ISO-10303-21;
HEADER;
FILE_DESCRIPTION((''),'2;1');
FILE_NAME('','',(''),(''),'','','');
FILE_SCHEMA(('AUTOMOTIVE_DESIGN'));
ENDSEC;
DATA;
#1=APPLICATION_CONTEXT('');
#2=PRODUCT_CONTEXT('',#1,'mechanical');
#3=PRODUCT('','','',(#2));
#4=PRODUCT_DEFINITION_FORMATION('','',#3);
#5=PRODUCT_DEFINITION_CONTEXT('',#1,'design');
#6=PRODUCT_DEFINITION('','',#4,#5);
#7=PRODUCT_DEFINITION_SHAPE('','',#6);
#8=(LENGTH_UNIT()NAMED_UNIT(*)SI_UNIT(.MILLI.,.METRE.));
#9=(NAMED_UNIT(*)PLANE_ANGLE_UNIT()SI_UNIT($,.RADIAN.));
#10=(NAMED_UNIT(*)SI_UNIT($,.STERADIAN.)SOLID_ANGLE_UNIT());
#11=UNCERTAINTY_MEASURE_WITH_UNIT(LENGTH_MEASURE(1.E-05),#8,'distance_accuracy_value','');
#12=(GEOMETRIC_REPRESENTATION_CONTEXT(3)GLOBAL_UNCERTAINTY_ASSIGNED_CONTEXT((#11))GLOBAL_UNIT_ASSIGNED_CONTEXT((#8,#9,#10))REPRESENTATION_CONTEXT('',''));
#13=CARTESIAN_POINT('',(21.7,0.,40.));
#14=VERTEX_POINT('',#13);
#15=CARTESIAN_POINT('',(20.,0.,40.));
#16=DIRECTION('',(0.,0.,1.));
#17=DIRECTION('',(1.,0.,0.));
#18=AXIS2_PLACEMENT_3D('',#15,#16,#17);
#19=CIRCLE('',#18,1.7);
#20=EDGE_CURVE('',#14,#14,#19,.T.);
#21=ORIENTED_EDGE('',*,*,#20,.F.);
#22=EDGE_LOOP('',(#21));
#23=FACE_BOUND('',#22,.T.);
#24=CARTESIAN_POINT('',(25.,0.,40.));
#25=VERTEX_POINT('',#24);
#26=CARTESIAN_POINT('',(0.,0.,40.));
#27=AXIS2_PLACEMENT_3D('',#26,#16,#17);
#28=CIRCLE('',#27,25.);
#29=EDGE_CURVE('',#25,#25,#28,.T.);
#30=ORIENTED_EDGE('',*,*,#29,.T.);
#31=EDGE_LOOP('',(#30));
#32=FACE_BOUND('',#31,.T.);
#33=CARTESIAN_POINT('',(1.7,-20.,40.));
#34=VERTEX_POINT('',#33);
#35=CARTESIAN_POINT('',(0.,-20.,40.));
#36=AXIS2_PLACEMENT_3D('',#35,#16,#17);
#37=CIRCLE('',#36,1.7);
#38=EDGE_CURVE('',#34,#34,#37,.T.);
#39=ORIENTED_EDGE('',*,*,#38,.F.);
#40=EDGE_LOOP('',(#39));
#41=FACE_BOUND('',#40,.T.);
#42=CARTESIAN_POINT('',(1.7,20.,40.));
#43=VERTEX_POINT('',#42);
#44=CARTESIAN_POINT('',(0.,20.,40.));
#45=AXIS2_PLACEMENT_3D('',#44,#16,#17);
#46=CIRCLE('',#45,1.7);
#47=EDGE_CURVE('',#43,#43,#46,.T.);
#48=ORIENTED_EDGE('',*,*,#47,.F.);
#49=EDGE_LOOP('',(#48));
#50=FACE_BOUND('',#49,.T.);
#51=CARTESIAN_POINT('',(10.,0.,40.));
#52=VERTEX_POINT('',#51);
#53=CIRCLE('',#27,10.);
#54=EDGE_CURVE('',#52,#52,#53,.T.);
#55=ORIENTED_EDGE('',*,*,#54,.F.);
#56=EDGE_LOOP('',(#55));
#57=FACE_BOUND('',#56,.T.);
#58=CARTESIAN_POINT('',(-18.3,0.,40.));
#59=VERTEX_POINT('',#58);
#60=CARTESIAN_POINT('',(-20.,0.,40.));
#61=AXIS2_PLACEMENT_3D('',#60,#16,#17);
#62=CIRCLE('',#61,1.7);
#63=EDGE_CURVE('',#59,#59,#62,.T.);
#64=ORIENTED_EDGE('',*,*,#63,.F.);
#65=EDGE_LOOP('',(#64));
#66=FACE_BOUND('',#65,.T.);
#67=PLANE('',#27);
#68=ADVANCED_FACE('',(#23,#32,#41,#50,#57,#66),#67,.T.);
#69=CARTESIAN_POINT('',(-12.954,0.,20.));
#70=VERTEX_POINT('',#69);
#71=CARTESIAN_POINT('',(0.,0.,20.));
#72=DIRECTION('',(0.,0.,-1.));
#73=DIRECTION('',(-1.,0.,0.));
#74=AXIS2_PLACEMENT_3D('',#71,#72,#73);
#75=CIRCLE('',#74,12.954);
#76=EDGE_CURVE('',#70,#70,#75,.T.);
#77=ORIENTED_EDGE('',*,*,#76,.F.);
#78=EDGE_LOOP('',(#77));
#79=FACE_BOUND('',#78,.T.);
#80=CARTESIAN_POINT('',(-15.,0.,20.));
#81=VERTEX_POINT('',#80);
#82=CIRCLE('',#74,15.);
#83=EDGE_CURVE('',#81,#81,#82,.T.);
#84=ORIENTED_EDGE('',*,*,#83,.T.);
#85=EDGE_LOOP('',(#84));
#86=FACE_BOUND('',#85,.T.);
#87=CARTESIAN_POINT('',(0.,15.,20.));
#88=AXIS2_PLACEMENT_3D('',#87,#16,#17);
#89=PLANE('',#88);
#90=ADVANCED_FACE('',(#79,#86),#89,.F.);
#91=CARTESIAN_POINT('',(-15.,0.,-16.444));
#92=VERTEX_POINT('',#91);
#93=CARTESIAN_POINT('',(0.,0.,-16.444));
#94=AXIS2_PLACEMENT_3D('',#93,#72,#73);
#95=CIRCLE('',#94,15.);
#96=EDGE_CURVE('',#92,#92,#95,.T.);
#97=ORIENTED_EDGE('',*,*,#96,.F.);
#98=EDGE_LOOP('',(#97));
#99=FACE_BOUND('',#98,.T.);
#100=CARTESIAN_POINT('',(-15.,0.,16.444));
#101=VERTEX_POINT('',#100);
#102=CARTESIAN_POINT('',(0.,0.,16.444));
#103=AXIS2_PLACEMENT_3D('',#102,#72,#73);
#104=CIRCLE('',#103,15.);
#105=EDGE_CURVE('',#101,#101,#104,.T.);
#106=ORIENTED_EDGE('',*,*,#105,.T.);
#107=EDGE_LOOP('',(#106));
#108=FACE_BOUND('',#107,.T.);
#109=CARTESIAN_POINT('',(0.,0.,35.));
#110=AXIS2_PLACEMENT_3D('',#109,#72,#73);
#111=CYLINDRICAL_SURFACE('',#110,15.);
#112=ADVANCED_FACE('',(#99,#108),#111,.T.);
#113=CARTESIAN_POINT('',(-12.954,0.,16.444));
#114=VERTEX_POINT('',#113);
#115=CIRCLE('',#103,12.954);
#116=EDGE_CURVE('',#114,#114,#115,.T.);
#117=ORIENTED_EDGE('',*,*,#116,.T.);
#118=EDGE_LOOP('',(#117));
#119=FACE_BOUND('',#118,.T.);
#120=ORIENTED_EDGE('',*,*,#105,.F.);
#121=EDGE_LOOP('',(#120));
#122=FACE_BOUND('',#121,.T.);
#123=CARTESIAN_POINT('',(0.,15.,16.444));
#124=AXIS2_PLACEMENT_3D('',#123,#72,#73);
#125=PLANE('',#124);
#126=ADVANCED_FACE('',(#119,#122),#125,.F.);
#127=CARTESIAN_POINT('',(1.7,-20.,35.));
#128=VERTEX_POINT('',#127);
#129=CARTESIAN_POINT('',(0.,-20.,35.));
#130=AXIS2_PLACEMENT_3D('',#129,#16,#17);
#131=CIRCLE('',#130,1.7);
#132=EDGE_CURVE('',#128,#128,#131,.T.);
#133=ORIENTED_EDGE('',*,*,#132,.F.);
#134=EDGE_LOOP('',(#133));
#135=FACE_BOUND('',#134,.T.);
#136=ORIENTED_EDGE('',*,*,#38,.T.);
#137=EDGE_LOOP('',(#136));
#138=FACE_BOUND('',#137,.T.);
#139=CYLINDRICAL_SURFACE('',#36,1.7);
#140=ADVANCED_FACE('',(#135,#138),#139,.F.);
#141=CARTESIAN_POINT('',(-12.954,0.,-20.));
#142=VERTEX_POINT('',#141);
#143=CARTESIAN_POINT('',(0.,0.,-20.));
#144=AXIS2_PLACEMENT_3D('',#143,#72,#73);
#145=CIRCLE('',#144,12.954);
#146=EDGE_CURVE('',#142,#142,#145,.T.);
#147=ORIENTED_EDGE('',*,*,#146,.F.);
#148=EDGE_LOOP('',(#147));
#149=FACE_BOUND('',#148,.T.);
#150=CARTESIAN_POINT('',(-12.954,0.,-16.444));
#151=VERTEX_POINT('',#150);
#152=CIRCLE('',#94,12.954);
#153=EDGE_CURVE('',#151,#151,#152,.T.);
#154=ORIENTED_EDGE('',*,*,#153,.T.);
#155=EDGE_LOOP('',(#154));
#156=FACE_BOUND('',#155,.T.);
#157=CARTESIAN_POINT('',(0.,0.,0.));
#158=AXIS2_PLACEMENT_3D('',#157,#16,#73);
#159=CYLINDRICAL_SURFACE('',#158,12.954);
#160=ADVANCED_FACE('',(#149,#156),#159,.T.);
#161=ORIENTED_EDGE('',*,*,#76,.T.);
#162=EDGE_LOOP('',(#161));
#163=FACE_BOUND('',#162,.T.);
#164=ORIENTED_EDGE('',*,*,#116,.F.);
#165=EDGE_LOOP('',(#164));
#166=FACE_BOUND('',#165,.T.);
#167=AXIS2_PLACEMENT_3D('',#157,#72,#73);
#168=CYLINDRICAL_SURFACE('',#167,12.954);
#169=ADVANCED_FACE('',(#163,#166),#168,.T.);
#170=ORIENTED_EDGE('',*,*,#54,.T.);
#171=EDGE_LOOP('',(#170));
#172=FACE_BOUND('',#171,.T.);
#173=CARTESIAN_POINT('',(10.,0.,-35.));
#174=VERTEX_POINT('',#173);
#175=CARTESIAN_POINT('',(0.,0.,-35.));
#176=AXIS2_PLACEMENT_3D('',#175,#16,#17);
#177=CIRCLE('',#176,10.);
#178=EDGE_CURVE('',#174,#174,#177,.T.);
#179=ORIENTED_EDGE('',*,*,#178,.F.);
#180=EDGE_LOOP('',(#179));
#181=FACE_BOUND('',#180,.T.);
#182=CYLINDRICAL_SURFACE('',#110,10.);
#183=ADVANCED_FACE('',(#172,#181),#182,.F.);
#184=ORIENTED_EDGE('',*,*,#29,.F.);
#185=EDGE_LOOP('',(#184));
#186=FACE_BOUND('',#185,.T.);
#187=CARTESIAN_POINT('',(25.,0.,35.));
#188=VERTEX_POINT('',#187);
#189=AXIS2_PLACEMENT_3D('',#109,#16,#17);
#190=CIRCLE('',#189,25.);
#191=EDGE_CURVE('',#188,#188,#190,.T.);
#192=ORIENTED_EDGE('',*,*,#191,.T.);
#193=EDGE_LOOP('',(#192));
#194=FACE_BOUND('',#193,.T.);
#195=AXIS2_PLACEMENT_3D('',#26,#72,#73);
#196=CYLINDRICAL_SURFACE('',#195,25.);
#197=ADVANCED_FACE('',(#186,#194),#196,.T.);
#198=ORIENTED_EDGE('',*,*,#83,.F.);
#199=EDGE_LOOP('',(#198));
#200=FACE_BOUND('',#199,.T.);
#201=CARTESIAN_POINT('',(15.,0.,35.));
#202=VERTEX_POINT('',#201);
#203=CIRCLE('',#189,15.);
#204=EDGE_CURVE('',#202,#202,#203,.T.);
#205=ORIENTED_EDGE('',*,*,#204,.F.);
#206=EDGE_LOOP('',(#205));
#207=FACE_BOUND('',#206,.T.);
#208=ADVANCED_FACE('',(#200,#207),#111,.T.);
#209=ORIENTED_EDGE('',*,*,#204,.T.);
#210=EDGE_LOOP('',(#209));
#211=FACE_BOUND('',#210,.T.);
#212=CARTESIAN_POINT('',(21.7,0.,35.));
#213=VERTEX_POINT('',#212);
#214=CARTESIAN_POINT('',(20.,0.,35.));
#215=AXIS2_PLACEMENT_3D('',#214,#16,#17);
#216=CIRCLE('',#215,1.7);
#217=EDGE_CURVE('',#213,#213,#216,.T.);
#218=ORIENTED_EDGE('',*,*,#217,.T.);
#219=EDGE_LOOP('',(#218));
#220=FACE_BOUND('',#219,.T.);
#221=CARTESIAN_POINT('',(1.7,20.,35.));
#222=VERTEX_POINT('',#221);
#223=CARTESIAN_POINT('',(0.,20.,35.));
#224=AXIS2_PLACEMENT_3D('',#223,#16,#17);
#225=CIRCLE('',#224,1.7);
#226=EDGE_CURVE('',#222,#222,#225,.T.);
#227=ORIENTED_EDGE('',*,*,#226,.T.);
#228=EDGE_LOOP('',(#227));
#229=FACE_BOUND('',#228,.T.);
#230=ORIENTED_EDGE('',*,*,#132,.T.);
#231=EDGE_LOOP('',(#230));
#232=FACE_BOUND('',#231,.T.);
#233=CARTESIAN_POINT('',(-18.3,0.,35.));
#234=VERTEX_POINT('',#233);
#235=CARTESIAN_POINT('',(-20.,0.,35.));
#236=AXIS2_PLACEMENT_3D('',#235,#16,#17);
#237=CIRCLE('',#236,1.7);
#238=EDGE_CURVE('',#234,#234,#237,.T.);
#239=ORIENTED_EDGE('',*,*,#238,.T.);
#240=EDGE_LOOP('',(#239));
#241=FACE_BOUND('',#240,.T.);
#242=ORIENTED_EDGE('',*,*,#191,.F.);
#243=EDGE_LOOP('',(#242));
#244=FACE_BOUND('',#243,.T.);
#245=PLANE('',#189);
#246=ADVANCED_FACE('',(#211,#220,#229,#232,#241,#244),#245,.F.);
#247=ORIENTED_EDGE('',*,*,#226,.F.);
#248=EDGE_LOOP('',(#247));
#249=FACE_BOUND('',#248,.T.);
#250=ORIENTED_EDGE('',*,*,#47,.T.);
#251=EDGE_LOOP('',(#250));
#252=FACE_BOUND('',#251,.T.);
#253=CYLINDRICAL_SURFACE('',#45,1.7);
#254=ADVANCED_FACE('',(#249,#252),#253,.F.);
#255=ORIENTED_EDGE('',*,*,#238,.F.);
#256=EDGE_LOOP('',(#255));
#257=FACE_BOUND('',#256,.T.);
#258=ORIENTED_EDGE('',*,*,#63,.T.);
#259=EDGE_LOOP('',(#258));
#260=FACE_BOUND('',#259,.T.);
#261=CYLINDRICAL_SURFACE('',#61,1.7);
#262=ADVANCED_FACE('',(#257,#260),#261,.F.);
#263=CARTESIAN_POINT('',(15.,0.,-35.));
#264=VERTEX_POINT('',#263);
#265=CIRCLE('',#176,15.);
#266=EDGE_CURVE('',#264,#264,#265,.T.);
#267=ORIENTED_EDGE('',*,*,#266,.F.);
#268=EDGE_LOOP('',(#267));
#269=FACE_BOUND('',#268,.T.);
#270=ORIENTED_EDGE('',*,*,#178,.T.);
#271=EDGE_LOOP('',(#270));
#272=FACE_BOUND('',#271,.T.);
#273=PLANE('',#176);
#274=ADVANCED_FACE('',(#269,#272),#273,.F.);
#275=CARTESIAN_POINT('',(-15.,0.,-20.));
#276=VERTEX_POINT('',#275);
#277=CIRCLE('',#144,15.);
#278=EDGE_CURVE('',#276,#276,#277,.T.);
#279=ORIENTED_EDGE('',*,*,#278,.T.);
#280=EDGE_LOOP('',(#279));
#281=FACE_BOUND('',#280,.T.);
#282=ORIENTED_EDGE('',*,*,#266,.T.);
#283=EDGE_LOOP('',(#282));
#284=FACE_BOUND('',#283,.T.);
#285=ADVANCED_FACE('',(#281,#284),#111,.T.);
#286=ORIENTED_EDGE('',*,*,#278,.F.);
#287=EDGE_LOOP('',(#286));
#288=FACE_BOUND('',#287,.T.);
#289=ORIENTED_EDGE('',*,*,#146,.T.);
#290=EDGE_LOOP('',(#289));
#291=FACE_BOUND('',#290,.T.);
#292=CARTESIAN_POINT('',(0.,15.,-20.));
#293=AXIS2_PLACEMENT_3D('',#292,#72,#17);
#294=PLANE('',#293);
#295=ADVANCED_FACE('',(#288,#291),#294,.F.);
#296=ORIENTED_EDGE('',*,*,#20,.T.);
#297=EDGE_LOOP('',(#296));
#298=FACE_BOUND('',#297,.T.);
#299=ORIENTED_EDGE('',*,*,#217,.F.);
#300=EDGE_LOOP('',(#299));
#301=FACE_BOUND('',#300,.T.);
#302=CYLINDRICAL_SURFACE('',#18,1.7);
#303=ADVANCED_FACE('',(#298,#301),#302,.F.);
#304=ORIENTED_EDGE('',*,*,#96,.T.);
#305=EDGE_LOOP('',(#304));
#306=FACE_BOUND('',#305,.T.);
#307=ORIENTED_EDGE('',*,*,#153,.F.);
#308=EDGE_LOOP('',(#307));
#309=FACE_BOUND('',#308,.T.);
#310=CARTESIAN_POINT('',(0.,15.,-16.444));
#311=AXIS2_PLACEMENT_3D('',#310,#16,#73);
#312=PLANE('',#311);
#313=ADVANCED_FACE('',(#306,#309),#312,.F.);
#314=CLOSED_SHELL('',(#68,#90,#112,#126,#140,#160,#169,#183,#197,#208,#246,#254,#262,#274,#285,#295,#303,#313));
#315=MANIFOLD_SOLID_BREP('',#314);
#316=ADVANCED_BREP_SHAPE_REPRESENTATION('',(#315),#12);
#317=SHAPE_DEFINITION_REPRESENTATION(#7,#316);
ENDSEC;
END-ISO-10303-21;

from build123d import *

# Parameters (mm, degrees)
SKETCH1_R           = 15
SKETCH1_R_2         = 10
BOSS_EXTRUDE1_DEPTH = 35
SKETCH5_W           = 3.556
SKETCH5_H           = 2.046
SKETCH6_R           = 25
SKETCH6_R_2         = 10
BOSS_EXTRUDE2_DEPTH = 5
CIRPATTERN1_COUNT   = 4


with BuildPart() as part:
    # Sketch1 → Boss-Extrude1 (new body, symmetric)
    with BuildSketch(Plane.XY):
        Circle(SKETCH1_R)
        Circle(SKETCH1_R_2, mode=Mode.SUBTRACT)
    extrude(amount=BOSS_EXTRUDE1_DEPTH, both=True)

    # Sketch5 → Cut-Revolve1 (revolve, cut)
    with BuildSketch(Plane(origin=(0, 0, 0), x_dir=(0, 0, -1), z_dir=(1, 0, 0))):
        with Locations((-18.222, 13.977)):
            Rectangle(SKETCH5_W, SKETCH5_H)
    cut_revolve1 = revolve(axis=Axis((0, 0, 0), (0, 0, 1)), mode=Mode.SUBTRACT)

    # Mirror1: Cut-Revolve1 across plane
    add(cut_revolve1.mirror(Plane.XY), mode=Mode.SUBTRACT)

    # Sketch6 → Boss-Extrude2 (add)
    with BuildSketch(Plane.XY.offset(35)):
        Circle(SKETCH6_R)
        Circle(SKETCH6_R_2, mode=Mode.SUBTRACT)
    extrude(amount=BOSS_EXTRUDE2_DEPTH)

    # Sketch9 → M3 Clearance Hole1 (revolve, cut)
    with BuildSketch(Plane(origin=(20, 0, 40), x_dir=(0, -1, 0), z_dir=(1, 0, 0))):
        Polygon((0, 0), (0, 18.521463052), (1.7, 17.5), (1.7, 0), align=None)
    m3_clearance_hole1 = revolve(axis=Axis((20, 0, 46.35), (0, 0, -1)), mode=Mode.SUBTRACT)

    # CirPattern1: M3 Clearance Hole1 ×4 about axis
    cirpattern1_axis = Axis((0, 0, 0), (0, 0, 1))
    for i in range(1, CIRPATTERN1_COUNT):
        add(m3_clearance_hole1.rotate(cirpattern1_axis, i * 360 / CIRPATTERN1_COUNT), mode=Mode.SUBTRACT)


solid = part.part
